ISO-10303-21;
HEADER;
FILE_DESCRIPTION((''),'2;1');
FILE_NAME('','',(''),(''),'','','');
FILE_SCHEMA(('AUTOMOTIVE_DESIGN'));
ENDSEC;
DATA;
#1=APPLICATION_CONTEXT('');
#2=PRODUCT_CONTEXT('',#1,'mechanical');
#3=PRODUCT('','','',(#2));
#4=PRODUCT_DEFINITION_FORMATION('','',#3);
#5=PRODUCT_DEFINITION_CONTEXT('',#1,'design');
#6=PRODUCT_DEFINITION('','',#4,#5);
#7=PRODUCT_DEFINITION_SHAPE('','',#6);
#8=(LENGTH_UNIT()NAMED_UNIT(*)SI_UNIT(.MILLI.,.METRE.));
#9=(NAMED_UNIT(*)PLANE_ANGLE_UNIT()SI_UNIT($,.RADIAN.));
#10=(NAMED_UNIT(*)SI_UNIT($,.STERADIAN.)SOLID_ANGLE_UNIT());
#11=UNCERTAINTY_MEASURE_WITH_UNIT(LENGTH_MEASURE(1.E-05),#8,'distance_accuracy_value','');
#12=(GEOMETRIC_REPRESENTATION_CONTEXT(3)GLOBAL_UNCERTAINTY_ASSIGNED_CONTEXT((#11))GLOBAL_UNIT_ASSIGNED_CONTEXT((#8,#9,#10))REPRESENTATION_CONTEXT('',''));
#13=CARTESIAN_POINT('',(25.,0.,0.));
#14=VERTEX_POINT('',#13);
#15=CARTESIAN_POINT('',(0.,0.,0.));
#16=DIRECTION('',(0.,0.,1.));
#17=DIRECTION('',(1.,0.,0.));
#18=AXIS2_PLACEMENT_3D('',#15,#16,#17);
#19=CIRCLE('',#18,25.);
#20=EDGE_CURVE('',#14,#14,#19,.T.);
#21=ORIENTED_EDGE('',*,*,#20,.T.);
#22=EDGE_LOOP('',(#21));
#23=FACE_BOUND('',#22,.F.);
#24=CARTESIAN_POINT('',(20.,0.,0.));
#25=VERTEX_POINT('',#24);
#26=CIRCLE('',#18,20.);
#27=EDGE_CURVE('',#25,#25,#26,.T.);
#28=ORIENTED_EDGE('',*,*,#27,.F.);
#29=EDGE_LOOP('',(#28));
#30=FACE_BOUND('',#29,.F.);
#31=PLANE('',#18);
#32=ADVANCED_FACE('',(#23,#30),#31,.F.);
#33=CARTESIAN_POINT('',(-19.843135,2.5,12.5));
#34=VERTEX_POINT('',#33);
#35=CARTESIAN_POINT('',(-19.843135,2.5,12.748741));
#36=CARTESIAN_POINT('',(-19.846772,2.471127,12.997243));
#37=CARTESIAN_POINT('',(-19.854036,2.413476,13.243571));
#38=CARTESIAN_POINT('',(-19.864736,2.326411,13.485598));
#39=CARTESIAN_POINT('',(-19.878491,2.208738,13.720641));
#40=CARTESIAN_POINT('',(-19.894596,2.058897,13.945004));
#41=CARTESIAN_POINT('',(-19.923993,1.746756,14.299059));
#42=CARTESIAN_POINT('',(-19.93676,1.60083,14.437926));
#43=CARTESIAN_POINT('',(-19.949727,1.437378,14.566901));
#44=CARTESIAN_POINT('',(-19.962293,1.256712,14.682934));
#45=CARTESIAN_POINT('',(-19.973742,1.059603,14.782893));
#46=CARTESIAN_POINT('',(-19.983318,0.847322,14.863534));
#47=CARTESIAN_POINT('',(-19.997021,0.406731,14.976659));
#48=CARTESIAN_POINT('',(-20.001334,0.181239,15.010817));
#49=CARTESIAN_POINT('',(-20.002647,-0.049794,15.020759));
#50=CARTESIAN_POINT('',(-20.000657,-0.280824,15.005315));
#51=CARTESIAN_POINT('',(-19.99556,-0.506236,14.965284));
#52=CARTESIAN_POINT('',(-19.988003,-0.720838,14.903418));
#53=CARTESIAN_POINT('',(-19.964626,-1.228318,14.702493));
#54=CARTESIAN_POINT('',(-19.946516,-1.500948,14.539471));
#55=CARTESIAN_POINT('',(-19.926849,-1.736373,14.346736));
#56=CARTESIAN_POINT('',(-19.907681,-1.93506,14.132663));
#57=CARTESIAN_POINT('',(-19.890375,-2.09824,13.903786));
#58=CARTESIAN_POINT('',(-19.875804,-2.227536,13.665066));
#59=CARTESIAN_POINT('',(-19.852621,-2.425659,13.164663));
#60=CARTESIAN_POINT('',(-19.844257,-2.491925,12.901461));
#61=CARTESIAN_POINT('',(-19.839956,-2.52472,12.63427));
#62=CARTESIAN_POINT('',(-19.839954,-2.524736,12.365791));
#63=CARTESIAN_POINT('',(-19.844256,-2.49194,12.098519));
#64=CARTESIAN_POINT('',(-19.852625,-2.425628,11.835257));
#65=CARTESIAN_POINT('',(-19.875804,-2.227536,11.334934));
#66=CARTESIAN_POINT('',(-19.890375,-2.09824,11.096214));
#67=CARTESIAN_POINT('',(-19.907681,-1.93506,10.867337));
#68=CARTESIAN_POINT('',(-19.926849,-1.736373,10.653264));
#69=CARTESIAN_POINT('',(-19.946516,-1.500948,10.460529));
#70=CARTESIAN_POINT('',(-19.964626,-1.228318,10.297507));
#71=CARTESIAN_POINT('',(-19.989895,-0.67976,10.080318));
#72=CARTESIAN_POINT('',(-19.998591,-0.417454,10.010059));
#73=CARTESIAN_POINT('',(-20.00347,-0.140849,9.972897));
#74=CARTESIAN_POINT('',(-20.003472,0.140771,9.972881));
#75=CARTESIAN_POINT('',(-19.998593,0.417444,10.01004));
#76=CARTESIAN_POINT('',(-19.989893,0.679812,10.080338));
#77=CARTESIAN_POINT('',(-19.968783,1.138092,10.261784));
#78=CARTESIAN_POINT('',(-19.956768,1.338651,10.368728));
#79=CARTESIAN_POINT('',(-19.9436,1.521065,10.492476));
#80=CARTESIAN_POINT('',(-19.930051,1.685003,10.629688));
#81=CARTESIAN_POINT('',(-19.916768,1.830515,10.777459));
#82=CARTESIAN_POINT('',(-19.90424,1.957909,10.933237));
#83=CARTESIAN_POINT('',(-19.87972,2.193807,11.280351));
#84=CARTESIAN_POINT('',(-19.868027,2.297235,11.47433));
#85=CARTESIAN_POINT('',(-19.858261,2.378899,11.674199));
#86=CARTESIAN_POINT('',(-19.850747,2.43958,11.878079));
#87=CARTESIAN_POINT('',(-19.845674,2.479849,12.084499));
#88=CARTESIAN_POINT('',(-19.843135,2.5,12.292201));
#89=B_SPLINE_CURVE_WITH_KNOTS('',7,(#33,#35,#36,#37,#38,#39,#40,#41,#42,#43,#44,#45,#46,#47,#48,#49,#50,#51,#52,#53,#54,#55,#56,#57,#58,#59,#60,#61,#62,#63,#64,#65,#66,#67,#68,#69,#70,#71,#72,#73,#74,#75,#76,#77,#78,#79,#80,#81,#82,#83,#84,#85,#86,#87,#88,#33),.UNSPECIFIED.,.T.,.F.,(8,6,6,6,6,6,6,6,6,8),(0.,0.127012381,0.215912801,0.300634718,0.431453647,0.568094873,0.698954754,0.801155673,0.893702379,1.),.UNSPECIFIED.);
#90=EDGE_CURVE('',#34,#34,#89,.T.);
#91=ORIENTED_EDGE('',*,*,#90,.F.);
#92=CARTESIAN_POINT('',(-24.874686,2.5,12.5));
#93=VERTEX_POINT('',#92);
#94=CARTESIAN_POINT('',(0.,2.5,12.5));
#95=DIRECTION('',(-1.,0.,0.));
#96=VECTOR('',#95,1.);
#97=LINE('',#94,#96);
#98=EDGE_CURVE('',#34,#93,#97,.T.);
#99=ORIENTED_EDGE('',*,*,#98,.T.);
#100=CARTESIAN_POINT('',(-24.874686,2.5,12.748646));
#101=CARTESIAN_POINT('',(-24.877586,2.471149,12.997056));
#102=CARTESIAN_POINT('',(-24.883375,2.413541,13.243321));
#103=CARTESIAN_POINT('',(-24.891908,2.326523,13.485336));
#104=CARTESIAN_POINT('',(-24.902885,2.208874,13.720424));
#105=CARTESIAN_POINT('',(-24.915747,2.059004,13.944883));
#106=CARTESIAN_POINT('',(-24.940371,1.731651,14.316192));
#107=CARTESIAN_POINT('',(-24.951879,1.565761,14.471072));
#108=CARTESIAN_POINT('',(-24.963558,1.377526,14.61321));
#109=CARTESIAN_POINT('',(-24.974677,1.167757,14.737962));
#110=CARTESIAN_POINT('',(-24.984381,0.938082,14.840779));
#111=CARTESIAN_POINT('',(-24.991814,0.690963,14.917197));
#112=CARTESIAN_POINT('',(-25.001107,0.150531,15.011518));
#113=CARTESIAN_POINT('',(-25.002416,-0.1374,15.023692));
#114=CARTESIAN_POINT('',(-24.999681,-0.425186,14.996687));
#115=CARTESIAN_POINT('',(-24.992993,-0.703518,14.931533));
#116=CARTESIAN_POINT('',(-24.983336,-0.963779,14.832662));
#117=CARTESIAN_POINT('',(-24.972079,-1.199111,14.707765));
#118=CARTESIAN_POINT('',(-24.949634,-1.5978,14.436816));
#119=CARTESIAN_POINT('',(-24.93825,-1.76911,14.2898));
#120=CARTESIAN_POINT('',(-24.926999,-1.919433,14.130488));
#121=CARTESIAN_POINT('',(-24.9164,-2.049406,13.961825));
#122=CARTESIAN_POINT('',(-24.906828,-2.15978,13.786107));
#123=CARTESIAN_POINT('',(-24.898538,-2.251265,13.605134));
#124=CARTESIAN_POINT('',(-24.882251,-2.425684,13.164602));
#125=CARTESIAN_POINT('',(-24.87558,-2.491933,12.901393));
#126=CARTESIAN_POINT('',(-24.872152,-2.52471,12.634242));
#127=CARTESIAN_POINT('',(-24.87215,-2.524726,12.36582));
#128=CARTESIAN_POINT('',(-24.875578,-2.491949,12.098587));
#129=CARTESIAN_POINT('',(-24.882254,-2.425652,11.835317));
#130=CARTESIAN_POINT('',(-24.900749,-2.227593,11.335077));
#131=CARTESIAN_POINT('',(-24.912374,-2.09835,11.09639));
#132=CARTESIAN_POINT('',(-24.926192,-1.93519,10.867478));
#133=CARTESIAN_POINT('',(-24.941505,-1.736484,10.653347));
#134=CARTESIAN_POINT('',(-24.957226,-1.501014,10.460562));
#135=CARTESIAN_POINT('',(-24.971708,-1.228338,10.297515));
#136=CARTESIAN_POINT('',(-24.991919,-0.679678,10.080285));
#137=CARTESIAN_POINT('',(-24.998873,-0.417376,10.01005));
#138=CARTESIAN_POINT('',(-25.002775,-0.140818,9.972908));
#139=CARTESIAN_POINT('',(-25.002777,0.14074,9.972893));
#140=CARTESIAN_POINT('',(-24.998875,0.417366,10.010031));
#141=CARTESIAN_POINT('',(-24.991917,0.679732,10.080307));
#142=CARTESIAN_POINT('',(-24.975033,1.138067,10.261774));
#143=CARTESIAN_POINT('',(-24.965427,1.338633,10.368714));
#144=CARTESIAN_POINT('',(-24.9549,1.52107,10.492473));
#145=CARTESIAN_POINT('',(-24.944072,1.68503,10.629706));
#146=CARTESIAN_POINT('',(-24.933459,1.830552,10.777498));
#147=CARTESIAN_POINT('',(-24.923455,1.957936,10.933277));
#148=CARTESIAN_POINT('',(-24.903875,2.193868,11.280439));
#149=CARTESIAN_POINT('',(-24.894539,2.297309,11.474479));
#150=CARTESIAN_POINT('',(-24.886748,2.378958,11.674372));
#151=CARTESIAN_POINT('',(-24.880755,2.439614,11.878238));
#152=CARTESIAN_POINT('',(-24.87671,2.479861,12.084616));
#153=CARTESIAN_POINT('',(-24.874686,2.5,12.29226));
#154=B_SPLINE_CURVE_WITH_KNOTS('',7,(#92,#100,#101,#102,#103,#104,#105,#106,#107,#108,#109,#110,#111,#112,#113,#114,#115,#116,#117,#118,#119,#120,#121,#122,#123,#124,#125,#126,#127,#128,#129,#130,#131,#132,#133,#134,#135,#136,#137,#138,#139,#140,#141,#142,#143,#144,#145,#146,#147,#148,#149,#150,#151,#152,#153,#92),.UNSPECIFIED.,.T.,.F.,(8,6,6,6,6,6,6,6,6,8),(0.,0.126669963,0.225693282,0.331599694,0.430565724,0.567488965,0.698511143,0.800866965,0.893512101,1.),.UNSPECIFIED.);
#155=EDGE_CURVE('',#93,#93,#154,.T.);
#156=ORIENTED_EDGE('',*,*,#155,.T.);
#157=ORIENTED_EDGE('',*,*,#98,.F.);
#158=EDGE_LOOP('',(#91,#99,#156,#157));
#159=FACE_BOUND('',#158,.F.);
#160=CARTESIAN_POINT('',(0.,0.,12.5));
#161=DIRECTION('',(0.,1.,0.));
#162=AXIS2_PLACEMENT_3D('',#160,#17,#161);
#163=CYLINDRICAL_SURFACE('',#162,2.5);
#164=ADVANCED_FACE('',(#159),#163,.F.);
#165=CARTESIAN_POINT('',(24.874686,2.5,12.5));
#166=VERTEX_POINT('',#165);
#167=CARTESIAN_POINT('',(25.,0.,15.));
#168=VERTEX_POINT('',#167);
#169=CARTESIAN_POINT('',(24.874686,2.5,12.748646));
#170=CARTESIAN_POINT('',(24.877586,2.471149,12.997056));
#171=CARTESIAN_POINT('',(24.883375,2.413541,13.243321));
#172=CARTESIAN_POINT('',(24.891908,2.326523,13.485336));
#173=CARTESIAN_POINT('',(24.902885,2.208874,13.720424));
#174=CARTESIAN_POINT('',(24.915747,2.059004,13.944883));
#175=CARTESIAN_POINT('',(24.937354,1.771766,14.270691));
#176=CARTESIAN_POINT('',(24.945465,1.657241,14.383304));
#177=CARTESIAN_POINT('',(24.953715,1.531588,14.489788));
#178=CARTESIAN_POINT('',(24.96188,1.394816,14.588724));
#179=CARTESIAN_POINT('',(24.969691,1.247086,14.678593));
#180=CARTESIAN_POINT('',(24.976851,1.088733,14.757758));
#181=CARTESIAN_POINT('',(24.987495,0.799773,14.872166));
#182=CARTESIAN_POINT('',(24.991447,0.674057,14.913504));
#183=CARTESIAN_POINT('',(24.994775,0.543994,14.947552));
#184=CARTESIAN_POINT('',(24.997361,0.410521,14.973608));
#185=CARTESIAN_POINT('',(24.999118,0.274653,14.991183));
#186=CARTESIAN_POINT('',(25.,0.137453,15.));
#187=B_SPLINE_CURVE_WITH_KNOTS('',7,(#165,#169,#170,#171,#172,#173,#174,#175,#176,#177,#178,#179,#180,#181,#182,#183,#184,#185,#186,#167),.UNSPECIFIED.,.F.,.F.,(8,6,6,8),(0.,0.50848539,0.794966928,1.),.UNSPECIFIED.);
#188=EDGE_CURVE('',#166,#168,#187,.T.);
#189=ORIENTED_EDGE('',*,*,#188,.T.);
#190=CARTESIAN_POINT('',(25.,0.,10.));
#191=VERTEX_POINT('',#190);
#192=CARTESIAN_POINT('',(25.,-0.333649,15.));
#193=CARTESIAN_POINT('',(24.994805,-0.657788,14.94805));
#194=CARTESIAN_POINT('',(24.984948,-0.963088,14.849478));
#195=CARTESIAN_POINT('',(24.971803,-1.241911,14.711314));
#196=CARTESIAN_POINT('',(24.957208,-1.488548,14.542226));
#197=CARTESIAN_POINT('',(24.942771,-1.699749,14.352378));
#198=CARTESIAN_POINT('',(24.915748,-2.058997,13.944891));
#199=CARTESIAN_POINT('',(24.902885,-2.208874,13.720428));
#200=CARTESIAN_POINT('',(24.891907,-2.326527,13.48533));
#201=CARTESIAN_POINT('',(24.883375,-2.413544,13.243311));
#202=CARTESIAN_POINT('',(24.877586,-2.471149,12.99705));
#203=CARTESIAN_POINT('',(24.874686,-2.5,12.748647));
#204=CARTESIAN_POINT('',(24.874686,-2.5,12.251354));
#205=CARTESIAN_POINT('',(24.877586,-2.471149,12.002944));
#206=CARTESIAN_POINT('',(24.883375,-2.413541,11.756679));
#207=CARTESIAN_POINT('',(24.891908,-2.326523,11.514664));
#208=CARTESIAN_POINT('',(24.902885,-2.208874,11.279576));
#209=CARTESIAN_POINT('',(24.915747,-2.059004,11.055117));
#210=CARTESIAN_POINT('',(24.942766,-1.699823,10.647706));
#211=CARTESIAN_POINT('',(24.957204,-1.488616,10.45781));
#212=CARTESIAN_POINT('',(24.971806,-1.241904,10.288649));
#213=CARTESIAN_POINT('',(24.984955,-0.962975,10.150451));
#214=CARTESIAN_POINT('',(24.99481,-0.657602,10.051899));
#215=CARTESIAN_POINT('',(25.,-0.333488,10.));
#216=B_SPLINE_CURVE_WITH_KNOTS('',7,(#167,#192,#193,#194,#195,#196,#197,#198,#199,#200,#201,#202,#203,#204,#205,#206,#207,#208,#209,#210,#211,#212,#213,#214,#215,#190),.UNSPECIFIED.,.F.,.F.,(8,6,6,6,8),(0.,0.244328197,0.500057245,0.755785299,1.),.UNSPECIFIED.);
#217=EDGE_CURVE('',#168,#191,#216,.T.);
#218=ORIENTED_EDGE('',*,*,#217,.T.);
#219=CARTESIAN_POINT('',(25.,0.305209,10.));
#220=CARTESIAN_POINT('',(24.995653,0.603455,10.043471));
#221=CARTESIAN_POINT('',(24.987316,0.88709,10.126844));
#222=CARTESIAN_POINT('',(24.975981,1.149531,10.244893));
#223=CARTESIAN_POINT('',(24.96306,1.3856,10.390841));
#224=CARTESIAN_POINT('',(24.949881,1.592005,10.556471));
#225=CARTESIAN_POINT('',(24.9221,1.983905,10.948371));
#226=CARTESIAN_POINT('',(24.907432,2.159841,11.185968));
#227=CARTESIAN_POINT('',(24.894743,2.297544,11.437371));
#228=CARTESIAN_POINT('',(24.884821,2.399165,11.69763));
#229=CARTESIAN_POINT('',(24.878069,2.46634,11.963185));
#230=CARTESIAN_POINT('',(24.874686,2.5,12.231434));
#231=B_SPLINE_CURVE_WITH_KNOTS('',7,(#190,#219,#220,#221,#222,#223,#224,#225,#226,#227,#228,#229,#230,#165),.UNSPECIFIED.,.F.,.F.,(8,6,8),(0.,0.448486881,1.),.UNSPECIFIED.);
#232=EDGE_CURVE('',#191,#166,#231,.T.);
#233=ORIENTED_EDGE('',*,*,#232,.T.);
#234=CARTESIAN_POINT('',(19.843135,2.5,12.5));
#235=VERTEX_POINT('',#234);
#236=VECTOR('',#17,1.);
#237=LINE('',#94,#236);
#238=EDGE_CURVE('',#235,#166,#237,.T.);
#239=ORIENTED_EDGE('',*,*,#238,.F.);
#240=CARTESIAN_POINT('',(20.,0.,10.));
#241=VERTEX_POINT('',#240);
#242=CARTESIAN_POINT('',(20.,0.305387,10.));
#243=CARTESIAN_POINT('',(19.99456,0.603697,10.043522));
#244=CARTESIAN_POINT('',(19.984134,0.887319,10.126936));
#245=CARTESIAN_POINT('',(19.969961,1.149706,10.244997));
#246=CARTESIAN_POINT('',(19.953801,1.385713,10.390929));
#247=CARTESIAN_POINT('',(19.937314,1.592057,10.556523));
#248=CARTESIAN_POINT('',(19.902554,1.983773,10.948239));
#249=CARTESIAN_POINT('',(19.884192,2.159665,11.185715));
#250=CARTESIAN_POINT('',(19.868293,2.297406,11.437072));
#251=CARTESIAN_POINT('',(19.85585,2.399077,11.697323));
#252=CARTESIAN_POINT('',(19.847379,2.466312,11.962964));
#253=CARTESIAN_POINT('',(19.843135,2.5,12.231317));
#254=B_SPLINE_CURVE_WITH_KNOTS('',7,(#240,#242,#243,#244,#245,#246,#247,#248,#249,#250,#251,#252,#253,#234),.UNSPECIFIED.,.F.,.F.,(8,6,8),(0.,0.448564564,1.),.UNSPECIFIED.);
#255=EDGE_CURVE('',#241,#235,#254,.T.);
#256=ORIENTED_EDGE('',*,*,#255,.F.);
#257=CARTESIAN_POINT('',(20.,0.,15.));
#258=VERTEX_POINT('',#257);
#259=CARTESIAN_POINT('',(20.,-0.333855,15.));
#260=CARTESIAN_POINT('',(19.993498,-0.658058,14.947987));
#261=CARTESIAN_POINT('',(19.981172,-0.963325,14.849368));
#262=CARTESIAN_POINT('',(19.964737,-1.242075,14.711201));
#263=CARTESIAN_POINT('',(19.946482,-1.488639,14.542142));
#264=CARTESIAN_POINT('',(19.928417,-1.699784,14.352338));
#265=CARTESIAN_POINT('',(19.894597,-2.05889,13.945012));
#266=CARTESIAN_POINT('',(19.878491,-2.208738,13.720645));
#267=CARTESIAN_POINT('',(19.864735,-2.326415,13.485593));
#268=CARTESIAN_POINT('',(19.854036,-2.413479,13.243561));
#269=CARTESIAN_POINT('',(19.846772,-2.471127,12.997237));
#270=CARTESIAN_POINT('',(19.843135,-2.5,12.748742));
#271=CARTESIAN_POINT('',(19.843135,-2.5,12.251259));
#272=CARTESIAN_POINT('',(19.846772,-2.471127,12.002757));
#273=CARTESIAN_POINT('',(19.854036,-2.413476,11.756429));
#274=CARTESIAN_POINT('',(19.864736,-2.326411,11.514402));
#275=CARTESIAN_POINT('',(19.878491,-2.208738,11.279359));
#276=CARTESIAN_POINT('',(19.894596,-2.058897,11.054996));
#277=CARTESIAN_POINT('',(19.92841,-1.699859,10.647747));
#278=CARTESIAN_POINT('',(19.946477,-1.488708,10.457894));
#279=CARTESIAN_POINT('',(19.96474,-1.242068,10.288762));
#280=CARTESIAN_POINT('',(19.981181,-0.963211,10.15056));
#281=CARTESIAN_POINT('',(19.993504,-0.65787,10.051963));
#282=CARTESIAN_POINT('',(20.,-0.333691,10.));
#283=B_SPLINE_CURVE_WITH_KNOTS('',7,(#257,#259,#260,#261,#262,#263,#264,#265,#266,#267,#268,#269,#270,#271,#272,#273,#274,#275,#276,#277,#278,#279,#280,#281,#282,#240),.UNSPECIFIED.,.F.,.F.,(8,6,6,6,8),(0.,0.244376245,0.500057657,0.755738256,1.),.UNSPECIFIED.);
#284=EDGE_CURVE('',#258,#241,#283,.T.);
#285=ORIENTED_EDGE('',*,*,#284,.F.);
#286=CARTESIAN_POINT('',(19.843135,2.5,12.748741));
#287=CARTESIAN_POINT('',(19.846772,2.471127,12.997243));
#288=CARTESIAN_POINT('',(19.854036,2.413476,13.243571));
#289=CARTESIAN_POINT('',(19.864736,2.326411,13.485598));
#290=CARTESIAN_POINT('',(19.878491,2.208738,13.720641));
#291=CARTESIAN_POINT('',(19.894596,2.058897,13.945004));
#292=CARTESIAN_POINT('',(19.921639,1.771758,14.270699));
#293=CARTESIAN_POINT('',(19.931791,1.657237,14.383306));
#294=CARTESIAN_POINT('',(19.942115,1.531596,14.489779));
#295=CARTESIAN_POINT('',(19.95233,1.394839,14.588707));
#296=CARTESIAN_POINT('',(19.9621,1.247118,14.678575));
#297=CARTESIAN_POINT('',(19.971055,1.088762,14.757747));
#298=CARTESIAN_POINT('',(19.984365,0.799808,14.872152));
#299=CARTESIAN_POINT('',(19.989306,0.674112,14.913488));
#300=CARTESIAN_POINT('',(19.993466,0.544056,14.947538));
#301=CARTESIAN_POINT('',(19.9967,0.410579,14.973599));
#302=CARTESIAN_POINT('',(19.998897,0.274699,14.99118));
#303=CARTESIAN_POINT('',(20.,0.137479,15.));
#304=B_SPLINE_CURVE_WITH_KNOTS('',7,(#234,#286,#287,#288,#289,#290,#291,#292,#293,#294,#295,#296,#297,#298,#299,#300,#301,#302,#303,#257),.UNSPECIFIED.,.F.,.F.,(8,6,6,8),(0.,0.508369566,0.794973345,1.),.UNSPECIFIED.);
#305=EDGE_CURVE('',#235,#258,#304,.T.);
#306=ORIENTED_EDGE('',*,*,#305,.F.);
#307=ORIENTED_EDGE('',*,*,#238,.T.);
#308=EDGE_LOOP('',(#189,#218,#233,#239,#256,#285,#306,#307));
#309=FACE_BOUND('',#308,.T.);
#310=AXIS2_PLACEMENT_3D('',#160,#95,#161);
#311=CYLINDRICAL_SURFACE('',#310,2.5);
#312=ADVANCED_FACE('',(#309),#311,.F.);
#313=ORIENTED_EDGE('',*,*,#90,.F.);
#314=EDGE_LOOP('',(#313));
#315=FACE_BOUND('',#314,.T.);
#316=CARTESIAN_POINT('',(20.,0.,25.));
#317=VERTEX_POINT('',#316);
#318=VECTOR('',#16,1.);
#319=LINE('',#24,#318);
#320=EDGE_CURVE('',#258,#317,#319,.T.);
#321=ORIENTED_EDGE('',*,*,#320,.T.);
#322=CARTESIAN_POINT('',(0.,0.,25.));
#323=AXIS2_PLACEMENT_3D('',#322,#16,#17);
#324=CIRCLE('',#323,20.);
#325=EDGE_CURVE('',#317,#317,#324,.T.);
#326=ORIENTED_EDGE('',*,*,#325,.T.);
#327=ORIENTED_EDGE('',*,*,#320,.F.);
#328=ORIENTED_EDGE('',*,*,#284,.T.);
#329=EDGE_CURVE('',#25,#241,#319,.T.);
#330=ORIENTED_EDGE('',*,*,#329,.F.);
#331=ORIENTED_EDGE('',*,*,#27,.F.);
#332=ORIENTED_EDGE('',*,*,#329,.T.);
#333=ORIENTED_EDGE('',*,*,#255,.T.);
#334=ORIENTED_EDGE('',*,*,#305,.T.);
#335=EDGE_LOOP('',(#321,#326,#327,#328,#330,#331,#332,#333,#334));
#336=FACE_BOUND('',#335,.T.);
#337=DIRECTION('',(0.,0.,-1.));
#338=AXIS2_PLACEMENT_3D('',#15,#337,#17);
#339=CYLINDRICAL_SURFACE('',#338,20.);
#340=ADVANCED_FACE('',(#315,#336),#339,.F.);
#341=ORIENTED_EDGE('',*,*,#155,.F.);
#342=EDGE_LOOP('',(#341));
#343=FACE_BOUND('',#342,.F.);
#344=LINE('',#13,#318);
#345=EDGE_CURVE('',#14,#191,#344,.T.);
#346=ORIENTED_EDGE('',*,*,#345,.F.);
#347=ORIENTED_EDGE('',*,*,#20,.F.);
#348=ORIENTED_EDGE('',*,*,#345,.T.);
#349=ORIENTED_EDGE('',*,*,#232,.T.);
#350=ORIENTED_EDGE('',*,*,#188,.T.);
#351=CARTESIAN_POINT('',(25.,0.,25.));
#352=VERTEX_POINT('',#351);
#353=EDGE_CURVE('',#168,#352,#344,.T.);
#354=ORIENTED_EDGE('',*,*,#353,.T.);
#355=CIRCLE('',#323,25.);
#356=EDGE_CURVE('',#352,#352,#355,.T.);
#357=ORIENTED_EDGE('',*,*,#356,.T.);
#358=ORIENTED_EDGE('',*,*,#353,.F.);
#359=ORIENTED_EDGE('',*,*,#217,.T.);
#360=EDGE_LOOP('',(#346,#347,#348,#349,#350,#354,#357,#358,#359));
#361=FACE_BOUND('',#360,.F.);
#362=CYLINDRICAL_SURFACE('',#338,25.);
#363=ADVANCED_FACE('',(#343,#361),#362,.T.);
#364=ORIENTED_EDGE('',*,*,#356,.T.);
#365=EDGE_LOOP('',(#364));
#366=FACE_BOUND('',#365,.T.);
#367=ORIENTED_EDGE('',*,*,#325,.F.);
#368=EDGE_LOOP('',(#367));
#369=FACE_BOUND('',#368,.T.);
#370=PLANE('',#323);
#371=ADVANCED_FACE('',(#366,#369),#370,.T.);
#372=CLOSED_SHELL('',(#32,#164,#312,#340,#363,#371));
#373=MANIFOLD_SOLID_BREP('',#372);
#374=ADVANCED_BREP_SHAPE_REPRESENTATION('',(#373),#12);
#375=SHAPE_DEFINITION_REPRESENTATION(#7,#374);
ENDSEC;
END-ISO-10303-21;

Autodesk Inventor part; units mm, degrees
ref_plane "YZ Plane" through (0, 0, 0) normal (1, 0, 0) x (0, 1, 0)
ref_plane "XZ Plane" through (0, 0, 0) normal (0, 1, 0) x (-1, 0, 0)
ref_plane "XY Plane" through (0, 0, 0) normal (0, 0, 1) x (1, 0, 0)
sketch "Sketch1" plane through (0, 0, 0) normal (0, 0, 1) x (1, 0, 0)
  circle A0 centre (0, 0) radius 20
  circle A1 centre (0, 0) radius 25
  dimension "d0" = 40
  dimension "d1" = 50
extrude "Extrusion1" add sketch "Sketch1" along normal blind 25
sketch "Sketch2" plane through (0, 0, 0) normal (1, 0, 0) x (0, 1, 0)
  circle A0 centre (0, 12.5) radius 2.5
  line L0 (25, 0) -> (-25, 0) projected
  point P0 (0, 0)
  dimension "d4" = 12.5
  dimension "d5" = 5
extrude "Extrusion2" cut sketch "Sketch2" along normal through all both and the other way through all
properties part number "Panewka okrągła"
